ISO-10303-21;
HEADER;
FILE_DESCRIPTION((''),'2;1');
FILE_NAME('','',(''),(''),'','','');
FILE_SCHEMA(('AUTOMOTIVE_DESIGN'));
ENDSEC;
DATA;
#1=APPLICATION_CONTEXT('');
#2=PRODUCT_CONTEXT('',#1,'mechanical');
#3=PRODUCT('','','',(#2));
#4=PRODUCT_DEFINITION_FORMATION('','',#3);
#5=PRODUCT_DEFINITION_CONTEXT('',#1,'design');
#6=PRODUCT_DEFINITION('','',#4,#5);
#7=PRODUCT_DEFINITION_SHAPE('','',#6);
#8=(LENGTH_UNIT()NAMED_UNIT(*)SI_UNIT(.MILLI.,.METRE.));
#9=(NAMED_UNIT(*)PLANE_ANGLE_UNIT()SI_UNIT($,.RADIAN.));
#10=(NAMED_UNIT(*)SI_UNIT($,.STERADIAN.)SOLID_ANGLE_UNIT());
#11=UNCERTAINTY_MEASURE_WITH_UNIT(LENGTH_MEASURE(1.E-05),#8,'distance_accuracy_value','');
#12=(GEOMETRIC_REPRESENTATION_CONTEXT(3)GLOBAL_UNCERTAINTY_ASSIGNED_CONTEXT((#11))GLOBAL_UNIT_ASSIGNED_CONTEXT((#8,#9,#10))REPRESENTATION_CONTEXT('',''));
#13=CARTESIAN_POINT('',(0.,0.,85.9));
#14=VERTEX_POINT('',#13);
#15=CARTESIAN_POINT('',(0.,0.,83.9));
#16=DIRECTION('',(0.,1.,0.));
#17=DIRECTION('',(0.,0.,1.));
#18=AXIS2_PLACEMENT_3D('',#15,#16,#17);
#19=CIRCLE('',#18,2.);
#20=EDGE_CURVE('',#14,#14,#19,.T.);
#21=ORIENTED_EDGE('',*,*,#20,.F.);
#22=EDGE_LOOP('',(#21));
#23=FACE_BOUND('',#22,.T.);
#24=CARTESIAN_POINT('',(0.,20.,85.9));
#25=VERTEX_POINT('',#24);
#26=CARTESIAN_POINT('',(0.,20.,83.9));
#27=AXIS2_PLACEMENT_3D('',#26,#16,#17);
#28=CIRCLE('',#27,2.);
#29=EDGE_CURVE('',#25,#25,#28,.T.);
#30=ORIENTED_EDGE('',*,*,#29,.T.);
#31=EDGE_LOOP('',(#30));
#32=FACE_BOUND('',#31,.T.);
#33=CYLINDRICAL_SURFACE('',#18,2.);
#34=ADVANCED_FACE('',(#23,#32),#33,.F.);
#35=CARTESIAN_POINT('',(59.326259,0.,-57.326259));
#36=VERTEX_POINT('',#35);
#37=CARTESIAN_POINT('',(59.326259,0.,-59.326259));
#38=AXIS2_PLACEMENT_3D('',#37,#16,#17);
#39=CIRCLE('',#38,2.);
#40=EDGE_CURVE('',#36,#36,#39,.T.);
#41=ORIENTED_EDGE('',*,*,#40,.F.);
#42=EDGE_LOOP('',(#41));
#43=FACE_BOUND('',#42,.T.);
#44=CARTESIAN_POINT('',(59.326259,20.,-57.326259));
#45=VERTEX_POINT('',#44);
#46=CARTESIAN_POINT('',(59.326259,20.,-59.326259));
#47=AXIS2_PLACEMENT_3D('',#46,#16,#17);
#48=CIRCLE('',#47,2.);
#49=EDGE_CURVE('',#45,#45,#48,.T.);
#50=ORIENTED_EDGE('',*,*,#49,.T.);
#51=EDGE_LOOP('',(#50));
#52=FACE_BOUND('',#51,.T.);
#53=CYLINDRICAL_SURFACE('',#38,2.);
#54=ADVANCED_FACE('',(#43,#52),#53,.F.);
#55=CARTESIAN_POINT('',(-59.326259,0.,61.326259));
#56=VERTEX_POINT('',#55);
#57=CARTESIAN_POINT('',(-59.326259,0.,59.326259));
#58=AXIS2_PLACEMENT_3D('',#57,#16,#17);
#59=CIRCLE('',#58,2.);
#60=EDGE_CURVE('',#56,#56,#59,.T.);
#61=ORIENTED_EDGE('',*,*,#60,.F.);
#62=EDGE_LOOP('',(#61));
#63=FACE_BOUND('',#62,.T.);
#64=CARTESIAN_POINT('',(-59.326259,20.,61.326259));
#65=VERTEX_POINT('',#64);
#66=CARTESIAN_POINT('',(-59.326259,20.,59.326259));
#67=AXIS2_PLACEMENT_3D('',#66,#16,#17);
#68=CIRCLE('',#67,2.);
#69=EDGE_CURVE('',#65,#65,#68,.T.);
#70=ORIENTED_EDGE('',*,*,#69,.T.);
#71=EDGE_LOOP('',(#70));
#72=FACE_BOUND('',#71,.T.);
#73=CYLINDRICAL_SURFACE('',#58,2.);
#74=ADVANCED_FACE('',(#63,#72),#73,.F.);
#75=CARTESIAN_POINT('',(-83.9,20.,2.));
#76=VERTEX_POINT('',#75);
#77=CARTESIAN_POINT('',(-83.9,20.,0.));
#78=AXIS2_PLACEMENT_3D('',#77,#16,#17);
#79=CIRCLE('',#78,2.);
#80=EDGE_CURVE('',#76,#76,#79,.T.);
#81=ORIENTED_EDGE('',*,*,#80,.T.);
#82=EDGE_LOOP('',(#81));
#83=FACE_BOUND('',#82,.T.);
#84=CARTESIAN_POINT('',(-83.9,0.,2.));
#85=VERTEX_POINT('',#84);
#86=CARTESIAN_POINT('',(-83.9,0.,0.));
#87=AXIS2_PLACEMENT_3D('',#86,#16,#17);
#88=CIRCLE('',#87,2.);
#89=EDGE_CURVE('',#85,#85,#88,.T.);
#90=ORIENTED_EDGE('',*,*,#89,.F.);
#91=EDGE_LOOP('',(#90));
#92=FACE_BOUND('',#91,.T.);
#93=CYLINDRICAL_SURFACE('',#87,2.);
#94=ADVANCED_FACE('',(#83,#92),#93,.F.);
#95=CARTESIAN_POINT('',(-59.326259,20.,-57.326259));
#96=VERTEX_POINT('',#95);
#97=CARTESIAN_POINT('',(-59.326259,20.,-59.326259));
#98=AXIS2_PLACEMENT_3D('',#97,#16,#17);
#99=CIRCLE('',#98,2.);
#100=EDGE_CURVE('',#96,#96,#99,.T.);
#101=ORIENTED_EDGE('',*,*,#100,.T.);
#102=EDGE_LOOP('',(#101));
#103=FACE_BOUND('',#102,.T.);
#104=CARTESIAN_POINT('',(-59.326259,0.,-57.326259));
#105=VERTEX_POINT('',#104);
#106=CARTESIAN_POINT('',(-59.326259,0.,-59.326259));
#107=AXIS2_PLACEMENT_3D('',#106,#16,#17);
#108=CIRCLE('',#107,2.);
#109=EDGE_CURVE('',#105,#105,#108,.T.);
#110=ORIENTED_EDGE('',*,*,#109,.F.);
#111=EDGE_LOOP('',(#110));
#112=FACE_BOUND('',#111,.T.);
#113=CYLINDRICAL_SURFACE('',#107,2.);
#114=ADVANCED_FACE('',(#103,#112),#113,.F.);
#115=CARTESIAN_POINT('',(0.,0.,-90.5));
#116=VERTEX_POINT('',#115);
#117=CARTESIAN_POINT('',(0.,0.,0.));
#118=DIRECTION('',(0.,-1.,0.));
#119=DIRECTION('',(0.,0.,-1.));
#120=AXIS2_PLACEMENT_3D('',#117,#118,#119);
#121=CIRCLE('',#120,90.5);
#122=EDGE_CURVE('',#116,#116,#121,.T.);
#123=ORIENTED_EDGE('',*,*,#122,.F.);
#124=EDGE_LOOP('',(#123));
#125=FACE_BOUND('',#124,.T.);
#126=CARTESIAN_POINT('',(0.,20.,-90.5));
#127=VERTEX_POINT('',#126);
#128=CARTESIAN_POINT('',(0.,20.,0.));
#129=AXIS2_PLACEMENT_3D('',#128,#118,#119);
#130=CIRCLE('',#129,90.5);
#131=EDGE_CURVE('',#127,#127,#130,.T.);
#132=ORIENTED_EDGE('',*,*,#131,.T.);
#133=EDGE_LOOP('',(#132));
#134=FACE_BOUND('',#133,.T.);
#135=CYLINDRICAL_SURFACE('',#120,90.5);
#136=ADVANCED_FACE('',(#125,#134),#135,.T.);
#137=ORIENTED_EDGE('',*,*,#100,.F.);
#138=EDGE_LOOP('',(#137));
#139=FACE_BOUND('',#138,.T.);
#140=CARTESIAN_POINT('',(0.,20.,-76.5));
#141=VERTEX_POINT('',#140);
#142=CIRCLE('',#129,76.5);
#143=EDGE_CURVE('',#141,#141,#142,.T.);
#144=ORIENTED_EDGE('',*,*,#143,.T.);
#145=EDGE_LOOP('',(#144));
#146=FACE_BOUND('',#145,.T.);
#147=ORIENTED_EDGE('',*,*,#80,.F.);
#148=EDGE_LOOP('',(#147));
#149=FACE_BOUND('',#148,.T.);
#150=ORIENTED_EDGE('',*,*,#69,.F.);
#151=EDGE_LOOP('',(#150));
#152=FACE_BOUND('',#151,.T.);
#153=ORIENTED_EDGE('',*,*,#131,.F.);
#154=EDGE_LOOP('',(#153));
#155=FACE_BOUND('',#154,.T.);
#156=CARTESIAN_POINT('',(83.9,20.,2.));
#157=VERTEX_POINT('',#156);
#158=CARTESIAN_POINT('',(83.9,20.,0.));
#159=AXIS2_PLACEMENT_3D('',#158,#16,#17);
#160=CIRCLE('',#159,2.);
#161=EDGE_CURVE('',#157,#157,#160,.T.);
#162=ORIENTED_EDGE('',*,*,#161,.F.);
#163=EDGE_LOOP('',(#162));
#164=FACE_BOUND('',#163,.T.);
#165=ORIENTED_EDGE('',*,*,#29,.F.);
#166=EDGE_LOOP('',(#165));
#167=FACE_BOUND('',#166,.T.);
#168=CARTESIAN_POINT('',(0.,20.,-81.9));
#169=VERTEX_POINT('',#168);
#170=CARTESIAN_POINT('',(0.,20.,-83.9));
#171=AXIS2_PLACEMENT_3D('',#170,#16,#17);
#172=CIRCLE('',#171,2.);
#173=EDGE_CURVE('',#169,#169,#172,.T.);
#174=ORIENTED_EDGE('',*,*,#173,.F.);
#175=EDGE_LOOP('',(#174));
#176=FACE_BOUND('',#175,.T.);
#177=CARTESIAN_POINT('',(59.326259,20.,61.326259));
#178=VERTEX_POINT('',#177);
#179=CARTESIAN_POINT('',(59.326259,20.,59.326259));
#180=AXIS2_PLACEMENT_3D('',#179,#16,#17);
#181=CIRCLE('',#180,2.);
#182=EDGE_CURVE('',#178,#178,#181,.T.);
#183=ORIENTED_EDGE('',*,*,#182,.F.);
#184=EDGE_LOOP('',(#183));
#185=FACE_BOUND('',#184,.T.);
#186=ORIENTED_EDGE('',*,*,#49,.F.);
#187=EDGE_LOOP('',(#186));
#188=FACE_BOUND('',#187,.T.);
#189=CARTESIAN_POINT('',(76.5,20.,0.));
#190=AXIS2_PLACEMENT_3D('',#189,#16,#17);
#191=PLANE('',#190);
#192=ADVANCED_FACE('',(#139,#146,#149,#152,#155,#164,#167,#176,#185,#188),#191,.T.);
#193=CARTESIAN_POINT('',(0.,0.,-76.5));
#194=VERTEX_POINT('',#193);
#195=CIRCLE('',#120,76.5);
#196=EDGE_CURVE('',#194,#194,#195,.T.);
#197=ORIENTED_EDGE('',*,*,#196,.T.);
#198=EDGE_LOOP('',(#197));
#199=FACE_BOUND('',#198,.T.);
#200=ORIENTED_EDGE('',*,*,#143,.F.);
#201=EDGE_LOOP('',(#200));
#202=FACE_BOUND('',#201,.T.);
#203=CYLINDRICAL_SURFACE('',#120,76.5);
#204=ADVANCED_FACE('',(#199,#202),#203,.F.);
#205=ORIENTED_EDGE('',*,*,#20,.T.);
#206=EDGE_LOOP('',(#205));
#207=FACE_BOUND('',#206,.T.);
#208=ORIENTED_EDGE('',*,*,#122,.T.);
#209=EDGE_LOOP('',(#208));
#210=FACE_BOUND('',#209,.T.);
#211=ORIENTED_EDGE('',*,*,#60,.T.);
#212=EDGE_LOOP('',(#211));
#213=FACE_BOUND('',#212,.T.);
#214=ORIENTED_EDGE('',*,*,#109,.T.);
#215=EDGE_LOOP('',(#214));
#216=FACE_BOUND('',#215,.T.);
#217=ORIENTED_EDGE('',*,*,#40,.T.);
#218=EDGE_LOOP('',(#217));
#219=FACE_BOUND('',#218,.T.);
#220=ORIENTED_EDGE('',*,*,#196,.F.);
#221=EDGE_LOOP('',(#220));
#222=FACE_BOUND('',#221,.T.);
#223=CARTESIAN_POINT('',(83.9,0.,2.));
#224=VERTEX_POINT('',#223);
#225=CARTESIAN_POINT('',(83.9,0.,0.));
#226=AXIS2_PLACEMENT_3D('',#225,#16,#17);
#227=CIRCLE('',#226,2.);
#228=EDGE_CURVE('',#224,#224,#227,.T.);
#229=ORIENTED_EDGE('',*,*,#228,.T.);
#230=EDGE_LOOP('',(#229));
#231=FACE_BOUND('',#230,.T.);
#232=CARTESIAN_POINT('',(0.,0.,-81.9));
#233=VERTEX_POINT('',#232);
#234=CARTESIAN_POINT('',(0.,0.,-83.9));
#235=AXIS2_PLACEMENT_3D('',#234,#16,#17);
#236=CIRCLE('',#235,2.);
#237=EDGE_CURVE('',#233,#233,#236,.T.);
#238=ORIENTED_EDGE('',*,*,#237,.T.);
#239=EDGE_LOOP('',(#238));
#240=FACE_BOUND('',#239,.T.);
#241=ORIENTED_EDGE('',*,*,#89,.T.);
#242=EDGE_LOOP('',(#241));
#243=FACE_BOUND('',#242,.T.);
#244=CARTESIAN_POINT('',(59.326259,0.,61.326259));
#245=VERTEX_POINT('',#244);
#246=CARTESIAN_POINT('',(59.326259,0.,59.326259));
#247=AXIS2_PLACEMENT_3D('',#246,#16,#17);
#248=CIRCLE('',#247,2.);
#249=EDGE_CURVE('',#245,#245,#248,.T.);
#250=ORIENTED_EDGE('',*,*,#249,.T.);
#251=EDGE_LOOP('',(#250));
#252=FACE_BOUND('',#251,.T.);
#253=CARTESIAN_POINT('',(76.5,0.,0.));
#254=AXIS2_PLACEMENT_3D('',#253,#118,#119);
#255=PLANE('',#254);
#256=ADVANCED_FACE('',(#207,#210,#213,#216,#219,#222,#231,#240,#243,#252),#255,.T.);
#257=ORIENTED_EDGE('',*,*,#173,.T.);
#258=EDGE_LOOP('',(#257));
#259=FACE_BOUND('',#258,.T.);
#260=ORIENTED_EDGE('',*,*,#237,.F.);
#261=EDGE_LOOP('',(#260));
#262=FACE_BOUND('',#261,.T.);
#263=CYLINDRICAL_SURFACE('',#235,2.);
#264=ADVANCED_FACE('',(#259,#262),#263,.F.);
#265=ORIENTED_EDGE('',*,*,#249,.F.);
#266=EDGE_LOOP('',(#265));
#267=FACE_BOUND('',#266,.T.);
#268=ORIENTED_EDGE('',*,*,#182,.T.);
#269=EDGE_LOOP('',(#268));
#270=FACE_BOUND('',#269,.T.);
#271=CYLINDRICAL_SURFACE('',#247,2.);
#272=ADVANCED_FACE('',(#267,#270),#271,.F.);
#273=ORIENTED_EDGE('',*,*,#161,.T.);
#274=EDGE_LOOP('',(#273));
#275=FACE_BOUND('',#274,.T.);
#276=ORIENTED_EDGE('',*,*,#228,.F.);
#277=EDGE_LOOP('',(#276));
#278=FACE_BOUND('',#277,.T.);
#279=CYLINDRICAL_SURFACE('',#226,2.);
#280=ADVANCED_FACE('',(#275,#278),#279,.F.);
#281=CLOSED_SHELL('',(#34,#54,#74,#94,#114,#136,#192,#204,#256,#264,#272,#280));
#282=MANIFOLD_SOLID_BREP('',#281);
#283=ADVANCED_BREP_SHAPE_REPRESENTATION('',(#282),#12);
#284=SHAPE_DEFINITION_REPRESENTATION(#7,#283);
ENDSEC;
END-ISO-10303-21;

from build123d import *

# Parameters (mm, degrees)
SKETCH_1_W          = 14
SKETCH_1_H          = 20
SKETCH_2_R          = 2
CUT_EXTRUDE_1_DEPTH = 130.539569244


with BuildPart() as part:
    # 草图1 → 旋转1 (revolve)
    with BuildSketch(Plane.XY, mode=Mode.PRIVATE) as revolve_1_sk:
        with Locations((83.5, 10)):
            Rectangle(SKETCH_1_W, SKETCH_1_H)
    revolve(revolve_1_sk.sketch.rotate(Axis((0, 0, 0), (0, 1, 0)), 90), axis=Axis((0, 0, 0), (0, 1, 0)))

    # 草图2 → 切除-拉伸1 (cut, through all)
    with BuildSketch(Plane(origin=(0, 20, 0), x_dir=(1, 0, 0), z_dir=(0, 1, 0))):
        with Locations(Location((-83.9, 0, 0), (0, 0, 270))):
            Circle(SKETCH_2_R)
        with Locations(Location((-59.326258942, 59.326258942, 0), (0, 0, 270))):
            Circle(SKETCH_2_R)
        with Locations(Location((0, 83.9, 0), (0, 0, 270))):
            Circle(SKETCH_2_R)
        with Locations(Location((59.326258942, 59.326258942, 0), (0, 0, 270))):
            Circle(SKETCH_2_R)
        with Locations(Location((83.9, 0, 0), (0, 0, 270))):
            Circle(SKETCH_2_R)
        with Locations(Location((59.326258942, -59.326258942, 0), (0, 0, 270))):
            Circle(SKETCH_2_R)
        with Locations(Location((0, -83.9, 0), (0, 0, 270))):
            Circle(SKETCH_2_R)
        with Locations(Location((-59.326258942, -59.326258942, 0), (0, 0, 270))):
            Circle(SKETCH_2_R)
    extrude(amount=-CUT_EXTRUDE_1_DEPTH, mode=Mode.SUBTRACT)


solid = part.part
